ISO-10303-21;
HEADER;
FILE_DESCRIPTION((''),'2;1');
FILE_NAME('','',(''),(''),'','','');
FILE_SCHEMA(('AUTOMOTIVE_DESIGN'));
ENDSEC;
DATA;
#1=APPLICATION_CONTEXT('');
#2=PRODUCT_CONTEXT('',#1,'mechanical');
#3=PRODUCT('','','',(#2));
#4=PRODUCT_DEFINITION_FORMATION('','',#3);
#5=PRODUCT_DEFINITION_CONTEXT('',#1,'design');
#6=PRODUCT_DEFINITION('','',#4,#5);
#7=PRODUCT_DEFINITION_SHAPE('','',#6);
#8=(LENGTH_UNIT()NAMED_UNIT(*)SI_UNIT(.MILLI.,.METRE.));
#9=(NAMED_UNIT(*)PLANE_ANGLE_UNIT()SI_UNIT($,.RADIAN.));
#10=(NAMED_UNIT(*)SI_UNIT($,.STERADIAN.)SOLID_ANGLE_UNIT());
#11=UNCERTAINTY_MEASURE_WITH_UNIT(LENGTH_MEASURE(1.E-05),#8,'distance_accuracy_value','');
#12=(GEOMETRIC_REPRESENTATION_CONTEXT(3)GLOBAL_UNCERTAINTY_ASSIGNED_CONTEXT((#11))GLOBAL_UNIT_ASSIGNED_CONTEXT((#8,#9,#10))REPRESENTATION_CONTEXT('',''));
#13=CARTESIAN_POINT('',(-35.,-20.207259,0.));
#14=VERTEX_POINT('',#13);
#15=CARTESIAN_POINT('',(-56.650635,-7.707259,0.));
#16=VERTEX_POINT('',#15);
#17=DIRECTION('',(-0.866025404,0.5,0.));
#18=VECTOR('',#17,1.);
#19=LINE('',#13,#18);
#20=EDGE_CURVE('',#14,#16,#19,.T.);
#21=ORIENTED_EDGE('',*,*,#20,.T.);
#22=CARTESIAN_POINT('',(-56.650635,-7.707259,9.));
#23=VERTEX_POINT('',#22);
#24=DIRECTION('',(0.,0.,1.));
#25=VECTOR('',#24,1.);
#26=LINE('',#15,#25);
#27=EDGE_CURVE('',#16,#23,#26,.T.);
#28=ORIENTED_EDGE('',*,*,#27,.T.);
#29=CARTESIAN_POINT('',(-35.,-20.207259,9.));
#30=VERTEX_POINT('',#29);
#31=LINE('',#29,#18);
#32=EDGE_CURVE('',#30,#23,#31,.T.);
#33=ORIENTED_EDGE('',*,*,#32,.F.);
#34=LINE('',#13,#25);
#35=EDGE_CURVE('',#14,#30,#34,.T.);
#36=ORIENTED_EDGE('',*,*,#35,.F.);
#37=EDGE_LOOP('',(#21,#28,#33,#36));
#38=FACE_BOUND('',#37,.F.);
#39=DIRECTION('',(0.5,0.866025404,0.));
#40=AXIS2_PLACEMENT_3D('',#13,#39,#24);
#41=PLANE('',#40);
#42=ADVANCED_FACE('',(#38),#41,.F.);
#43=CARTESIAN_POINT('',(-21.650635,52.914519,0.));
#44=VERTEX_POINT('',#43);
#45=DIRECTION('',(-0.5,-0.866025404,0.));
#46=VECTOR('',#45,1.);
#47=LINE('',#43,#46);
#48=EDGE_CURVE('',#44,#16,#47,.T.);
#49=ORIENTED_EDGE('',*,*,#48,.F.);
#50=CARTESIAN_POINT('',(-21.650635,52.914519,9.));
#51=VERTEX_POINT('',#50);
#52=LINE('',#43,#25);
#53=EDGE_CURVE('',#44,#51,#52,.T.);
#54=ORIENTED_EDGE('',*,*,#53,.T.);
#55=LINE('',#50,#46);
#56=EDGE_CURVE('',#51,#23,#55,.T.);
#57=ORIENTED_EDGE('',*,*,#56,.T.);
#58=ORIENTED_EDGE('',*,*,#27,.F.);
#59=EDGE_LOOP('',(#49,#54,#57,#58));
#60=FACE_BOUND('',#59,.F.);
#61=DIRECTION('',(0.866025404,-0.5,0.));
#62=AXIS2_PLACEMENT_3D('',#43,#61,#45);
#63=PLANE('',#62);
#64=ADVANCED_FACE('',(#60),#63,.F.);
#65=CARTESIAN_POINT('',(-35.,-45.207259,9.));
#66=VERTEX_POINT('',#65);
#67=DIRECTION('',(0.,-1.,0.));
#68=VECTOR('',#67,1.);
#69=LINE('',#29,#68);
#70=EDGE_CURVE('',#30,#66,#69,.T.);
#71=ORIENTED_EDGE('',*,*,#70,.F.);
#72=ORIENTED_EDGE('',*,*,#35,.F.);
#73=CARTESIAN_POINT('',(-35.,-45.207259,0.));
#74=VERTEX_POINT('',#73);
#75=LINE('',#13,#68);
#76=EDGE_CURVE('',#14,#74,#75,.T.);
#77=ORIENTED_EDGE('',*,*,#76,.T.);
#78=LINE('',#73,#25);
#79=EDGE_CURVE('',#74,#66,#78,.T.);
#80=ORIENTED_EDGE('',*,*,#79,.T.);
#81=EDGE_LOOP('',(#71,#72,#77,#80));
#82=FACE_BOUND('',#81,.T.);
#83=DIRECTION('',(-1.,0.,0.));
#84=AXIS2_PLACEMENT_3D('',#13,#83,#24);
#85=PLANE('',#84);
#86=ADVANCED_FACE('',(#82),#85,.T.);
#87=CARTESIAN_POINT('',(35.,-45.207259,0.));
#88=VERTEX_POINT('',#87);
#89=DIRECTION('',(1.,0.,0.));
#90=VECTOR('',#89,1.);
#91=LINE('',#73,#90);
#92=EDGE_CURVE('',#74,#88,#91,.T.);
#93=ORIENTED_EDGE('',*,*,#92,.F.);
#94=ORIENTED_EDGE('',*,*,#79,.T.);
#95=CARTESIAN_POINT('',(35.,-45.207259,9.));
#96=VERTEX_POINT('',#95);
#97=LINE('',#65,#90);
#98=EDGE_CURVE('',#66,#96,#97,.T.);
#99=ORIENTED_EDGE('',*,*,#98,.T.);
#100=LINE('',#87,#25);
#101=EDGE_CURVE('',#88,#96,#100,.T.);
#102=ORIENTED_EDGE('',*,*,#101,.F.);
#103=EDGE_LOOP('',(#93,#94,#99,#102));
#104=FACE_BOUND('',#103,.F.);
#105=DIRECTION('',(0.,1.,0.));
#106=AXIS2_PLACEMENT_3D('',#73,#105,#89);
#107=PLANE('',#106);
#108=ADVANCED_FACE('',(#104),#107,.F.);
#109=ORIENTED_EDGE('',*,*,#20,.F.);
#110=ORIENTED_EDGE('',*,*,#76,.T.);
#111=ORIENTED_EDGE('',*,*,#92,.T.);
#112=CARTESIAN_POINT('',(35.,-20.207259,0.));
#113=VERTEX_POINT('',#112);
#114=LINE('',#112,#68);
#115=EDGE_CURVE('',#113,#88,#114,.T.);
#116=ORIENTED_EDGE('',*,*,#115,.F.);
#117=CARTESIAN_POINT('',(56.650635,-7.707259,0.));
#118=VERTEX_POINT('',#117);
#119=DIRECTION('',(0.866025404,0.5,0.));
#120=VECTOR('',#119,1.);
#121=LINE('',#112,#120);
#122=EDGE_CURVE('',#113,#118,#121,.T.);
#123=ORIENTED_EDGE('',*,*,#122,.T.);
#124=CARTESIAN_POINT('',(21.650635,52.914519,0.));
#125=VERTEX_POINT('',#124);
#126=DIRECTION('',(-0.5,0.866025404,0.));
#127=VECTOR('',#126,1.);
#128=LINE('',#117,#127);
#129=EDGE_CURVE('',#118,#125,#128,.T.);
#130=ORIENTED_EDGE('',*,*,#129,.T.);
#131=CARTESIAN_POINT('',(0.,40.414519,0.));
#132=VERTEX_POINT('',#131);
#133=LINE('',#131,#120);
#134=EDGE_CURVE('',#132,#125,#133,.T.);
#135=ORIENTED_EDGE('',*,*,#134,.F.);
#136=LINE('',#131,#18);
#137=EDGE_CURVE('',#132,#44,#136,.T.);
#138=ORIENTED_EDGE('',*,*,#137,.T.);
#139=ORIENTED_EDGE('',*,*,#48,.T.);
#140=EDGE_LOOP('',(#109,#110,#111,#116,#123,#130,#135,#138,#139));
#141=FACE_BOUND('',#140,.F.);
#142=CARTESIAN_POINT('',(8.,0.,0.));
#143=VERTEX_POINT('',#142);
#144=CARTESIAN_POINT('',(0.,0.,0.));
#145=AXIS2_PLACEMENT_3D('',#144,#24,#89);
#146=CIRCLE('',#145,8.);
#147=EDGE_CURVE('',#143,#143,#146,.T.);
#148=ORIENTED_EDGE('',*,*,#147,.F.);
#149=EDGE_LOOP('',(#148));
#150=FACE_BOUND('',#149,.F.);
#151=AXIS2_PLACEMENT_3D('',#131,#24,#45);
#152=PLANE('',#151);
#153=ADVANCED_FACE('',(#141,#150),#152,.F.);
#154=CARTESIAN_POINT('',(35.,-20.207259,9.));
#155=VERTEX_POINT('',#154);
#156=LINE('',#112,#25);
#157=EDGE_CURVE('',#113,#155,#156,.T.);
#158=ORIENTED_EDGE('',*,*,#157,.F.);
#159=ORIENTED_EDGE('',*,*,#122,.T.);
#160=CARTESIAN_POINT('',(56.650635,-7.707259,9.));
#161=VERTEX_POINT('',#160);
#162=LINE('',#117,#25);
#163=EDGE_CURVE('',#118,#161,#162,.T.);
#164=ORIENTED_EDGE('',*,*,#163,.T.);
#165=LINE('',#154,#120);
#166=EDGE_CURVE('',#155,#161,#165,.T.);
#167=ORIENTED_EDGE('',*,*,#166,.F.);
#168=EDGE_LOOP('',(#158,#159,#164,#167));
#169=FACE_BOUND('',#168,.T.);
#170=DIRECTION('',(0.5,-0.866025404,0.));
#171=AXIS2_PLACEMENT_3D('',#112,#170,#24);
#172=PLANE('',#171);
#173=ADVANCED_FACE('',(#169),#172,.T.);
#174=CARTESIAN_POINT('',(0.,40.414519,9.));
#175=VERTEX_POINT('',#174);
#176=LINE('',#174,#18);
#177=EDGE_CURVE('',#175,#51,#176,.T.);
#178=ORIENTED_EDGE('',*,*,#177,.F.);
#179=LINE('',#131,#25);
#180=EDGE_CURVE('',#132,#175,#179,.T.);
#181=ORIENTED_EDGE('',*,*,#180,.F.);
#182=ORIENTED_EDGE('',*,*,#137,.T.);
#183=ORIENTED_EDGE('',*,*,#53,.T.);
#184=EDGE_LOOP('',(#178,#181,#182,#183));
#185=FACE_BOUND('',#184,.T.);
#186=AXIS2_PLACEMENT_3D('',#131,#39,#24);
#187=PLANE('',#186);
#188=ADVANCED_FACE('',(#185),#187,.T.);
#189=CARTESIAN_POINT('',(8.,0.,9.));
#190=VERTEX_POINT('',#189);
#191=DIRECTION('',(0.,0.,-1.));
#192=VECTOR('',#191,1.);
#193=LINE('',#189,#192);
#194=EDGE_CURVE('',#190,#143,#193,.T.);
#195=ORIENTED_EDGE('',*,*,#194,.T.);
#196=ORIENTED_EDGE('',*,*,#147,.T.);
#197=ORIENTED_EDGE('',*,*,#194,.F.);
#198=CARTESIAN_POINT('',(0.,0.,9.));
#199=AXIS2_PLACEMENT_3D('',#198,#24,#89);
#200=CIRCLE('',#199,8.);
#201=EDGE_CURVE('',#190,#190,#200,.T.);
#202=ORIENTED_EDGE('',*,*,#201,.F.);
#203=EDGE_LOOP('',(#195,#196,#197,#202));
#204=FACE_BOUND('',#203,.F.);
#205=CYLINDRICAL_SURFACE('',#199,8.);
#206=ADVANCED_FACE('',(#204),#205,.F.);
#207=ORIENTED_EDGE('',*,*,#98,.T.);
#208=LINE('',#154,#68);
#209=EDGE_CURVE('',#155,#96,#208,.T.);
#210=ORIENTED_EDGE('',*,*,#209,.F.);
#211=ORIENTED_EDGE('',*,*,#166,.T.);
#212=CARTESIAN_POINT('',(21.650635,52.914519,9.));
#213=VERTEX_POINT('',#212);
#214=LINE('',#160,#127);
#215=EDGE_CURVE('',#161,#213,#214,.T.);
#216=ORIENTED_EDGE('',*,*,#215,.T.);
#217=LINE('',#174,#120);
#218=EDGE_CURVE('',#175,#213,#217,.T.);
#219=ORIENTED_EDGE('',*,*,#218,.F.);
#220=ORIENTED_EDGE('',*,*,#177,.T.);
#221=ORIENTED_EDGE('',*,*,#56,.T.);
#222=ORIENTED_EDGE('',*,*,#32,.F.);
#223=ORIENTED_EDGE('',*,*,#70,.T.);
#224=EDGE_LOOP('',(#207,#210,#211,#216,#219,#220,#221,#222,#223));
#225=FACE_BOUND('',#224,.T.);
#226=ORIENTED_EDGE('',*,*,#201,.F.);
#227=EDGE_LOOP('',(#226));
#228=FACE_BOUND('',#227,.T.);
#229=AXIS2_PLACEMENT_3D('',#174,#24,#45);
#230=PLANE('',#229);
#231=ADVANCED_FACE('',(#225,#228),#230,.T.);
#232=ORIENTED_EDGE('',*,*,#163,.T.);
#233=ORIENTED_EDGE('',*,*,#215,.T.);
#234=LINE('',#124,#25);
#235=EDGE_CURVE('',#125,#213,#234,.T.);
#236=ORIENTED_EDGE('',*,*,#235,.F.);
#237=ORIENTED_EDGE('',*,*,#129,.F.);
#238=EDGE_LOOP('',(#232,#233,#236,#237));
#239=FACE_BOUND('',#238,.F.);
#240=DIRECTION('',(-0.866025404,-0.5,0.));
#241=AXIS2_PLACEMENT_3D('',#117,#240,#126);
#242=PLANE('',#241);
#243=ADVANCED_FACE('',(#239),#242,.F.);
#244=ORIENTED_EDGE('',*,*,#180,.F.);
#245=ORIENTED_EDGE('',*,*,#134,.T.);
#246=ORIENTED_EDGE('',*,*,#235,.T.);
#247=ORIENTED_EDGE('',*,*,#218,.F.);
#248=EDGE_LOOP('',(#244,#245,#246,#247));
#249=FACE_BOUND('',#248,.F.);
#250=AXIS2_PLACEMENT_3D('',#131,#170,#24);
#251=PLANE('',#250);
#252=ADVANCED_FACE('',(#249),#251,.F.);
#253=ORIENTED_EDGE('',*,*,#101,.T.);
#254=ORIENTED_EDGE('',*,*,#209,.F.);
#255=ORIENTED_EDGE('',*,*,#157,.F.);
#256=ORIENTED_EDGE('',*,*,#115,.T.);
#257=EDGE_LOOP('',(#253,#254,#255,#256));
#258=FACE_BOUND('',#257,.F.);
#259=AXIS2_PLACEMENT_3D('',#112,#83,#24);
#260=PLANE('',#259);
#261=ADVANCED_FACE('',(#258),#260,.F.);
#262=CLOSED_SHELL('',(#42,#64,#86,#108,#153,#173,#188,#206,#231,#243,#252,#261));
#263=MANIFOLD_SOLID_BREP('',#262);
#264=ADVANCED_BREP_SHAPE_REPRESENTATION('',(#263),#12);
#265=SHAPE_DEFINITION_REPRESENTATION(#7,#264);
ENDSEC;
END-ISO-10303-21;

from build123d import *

# Parameters (mm, degrees)
F1_DEPTH = 9
F2_DEPTH = 25
F3_DEPTH = 25
F4_DEPTH = 25
F5_R     = 8
F6_DEPTH = 25


with BuildPart() as f1:
    # F0 (on Top) → F1 (new body)
    with BuildSketch(Plane.XY):
        Polygon((-35, -20.2072594216), (35, -20.2072594216), (0, 40.4145188433), align=None)
    extrude(amount=F1_DEPTH)

    # F2 (add): a face of the model
    f2_faces = [f1.faces().sort_by_distance(p)[0] for p in [
        (0, -20.2072594216, 4.5),
    ]]
    extrude(f2_faces, amount=F2_DEPTH)

    # F3 (add): a face of the model
    f3_faces = [f1.faces().sort_by_distance(p)[0] for p in [
        (17.5, 10.1036297108, 4.5),
    ]]
    extrude(f3_faces, amount=F3_DEPTH)

    # F4 (add): a face of the model
    f4_faces = [f1.faces().sort_by_distance(p)[0] for p in [
        (-17.5, 10.1036297108, 4.5),
    ]]
    extrude(f4_faces, amount=F4_DEPTH)

    # F5 (on face) → F6 (cut)
    with BuildSketch(Plane.XY.offset(9)):
        Circle(F5_R)
    extrude(amount=-F6_DEPTH, mode=Mode.SUBTRACT)


solid = f1.part
